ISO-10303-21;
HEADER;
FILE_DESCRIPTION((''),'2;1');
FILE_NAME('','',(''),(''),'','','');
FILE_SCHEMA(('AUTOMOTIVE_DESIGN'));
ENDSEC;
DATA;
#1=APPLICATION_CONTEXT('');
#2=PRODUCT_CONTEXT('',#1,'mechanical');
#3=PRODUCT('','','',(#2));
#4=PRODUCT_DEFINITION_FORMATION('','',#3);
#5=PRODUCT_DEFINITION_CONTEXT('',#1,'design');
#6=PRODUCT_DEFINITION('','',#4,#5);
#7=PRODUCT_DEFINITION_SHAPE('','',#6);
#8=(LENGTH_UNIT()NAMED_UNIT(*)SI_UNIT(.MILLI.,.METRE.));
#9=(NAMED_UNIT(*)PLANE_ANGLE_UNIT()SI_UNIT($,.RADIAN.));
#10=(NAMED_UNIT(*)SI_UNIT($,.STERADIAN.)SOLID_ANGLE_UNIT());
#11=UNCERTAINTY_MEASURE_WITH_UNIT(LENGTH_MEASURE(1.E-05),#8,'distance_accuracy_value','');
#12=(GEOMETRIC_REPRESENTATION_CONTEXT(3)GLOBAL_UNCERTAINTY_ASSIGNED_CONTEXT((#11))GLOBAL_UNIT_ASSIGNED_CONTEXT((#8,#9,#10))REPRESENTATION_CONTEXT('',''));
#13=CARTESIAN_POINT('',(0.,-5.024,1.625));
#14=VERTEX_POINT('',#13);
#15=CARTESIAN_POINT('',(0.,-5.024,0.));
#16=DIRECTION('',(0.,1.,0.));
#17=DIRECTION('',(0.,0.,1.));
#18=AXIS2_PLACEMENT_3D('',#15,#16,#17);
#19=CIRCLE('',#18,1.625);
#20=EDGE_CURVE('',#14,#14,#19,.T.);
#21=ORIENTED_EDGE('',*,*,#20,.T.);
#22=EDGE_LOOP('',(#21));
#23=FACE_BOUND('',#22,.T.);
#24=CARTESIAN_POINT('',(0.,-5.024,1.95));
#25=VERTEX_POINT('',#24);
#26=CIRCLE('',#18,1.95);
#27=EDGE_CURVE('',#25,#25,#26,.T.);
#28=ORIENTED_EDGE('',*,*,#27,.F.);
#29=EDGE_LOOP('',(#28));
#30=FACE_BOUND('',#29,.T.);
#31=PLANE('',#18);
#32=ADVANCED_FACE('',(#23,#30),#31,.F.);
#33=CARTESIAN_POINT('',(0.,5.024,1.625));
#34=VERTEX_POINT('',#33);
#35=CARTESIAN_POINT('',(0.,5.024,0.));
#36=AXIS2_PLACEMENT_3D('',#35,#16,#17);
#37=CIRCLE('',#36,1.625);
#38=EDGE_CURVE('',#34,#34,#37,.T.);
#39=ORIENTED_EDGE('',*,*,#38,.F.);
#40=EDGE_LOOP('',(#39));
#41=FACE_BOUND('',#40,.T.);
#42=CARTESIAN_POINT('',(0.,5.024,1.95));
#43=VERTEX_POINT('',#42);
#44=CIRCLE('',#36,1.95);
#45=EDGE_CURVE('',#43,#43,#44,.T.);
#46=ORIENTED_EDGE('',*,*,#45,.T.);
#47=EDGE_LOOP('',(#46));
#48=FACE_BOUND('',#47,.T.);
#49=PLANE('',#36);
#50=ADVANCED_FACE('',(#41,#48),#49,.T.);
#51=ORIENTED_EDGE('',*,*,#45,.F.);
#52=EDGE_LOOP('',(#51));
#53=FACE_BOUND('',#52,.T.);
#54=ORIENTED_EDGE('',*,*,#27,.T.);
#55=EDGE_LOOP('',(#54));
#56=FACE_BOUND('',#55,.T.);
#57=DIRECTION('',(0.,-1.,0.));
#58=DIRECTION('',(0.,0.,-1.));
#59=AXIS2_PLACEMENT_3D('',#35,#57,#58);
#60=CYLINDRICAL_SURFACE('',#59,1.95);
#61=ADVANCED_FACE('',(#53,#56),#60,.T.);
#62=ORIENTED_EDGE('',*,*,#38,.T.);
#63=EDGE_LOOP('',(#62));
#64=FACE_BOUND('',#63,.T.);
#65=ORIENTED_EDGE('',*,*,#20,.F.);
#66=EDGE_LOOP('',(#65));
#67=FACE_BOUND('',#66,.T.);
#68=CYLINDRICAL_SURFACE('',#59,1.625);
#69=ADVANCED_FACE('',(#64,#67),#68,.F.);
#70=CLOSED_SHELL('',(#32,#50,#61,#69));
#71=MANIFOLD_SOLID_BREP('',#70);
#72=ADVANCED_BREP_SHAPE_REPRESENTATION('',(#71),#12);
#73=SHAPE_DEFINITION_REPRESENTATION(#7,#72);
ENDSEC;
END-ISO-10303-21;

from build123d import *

# Parameters (mm, degrees)
SKETCH1_R           = 1.95
SKETCH1_R_2         = 1.625
BOSS_EXTRUDE1_DEPTH = 5.024


with BuildPart() as part:
    # Sketch1 → Boss-Extrude1 (new body, symmetric)
    with BuildSketch(Plane(origin=(0, 0, 0), x_dir=(1, 0, 0), z_dir=(0, 1, 0))):
        Circle(SKETCH1_R)
        Circle(SKETCH1_R_2, mode=Mode.SUBTRACT)
    extrude(amount=BOSS_EXTRUDE1_DEPTH, both=True)


solid = part.part
